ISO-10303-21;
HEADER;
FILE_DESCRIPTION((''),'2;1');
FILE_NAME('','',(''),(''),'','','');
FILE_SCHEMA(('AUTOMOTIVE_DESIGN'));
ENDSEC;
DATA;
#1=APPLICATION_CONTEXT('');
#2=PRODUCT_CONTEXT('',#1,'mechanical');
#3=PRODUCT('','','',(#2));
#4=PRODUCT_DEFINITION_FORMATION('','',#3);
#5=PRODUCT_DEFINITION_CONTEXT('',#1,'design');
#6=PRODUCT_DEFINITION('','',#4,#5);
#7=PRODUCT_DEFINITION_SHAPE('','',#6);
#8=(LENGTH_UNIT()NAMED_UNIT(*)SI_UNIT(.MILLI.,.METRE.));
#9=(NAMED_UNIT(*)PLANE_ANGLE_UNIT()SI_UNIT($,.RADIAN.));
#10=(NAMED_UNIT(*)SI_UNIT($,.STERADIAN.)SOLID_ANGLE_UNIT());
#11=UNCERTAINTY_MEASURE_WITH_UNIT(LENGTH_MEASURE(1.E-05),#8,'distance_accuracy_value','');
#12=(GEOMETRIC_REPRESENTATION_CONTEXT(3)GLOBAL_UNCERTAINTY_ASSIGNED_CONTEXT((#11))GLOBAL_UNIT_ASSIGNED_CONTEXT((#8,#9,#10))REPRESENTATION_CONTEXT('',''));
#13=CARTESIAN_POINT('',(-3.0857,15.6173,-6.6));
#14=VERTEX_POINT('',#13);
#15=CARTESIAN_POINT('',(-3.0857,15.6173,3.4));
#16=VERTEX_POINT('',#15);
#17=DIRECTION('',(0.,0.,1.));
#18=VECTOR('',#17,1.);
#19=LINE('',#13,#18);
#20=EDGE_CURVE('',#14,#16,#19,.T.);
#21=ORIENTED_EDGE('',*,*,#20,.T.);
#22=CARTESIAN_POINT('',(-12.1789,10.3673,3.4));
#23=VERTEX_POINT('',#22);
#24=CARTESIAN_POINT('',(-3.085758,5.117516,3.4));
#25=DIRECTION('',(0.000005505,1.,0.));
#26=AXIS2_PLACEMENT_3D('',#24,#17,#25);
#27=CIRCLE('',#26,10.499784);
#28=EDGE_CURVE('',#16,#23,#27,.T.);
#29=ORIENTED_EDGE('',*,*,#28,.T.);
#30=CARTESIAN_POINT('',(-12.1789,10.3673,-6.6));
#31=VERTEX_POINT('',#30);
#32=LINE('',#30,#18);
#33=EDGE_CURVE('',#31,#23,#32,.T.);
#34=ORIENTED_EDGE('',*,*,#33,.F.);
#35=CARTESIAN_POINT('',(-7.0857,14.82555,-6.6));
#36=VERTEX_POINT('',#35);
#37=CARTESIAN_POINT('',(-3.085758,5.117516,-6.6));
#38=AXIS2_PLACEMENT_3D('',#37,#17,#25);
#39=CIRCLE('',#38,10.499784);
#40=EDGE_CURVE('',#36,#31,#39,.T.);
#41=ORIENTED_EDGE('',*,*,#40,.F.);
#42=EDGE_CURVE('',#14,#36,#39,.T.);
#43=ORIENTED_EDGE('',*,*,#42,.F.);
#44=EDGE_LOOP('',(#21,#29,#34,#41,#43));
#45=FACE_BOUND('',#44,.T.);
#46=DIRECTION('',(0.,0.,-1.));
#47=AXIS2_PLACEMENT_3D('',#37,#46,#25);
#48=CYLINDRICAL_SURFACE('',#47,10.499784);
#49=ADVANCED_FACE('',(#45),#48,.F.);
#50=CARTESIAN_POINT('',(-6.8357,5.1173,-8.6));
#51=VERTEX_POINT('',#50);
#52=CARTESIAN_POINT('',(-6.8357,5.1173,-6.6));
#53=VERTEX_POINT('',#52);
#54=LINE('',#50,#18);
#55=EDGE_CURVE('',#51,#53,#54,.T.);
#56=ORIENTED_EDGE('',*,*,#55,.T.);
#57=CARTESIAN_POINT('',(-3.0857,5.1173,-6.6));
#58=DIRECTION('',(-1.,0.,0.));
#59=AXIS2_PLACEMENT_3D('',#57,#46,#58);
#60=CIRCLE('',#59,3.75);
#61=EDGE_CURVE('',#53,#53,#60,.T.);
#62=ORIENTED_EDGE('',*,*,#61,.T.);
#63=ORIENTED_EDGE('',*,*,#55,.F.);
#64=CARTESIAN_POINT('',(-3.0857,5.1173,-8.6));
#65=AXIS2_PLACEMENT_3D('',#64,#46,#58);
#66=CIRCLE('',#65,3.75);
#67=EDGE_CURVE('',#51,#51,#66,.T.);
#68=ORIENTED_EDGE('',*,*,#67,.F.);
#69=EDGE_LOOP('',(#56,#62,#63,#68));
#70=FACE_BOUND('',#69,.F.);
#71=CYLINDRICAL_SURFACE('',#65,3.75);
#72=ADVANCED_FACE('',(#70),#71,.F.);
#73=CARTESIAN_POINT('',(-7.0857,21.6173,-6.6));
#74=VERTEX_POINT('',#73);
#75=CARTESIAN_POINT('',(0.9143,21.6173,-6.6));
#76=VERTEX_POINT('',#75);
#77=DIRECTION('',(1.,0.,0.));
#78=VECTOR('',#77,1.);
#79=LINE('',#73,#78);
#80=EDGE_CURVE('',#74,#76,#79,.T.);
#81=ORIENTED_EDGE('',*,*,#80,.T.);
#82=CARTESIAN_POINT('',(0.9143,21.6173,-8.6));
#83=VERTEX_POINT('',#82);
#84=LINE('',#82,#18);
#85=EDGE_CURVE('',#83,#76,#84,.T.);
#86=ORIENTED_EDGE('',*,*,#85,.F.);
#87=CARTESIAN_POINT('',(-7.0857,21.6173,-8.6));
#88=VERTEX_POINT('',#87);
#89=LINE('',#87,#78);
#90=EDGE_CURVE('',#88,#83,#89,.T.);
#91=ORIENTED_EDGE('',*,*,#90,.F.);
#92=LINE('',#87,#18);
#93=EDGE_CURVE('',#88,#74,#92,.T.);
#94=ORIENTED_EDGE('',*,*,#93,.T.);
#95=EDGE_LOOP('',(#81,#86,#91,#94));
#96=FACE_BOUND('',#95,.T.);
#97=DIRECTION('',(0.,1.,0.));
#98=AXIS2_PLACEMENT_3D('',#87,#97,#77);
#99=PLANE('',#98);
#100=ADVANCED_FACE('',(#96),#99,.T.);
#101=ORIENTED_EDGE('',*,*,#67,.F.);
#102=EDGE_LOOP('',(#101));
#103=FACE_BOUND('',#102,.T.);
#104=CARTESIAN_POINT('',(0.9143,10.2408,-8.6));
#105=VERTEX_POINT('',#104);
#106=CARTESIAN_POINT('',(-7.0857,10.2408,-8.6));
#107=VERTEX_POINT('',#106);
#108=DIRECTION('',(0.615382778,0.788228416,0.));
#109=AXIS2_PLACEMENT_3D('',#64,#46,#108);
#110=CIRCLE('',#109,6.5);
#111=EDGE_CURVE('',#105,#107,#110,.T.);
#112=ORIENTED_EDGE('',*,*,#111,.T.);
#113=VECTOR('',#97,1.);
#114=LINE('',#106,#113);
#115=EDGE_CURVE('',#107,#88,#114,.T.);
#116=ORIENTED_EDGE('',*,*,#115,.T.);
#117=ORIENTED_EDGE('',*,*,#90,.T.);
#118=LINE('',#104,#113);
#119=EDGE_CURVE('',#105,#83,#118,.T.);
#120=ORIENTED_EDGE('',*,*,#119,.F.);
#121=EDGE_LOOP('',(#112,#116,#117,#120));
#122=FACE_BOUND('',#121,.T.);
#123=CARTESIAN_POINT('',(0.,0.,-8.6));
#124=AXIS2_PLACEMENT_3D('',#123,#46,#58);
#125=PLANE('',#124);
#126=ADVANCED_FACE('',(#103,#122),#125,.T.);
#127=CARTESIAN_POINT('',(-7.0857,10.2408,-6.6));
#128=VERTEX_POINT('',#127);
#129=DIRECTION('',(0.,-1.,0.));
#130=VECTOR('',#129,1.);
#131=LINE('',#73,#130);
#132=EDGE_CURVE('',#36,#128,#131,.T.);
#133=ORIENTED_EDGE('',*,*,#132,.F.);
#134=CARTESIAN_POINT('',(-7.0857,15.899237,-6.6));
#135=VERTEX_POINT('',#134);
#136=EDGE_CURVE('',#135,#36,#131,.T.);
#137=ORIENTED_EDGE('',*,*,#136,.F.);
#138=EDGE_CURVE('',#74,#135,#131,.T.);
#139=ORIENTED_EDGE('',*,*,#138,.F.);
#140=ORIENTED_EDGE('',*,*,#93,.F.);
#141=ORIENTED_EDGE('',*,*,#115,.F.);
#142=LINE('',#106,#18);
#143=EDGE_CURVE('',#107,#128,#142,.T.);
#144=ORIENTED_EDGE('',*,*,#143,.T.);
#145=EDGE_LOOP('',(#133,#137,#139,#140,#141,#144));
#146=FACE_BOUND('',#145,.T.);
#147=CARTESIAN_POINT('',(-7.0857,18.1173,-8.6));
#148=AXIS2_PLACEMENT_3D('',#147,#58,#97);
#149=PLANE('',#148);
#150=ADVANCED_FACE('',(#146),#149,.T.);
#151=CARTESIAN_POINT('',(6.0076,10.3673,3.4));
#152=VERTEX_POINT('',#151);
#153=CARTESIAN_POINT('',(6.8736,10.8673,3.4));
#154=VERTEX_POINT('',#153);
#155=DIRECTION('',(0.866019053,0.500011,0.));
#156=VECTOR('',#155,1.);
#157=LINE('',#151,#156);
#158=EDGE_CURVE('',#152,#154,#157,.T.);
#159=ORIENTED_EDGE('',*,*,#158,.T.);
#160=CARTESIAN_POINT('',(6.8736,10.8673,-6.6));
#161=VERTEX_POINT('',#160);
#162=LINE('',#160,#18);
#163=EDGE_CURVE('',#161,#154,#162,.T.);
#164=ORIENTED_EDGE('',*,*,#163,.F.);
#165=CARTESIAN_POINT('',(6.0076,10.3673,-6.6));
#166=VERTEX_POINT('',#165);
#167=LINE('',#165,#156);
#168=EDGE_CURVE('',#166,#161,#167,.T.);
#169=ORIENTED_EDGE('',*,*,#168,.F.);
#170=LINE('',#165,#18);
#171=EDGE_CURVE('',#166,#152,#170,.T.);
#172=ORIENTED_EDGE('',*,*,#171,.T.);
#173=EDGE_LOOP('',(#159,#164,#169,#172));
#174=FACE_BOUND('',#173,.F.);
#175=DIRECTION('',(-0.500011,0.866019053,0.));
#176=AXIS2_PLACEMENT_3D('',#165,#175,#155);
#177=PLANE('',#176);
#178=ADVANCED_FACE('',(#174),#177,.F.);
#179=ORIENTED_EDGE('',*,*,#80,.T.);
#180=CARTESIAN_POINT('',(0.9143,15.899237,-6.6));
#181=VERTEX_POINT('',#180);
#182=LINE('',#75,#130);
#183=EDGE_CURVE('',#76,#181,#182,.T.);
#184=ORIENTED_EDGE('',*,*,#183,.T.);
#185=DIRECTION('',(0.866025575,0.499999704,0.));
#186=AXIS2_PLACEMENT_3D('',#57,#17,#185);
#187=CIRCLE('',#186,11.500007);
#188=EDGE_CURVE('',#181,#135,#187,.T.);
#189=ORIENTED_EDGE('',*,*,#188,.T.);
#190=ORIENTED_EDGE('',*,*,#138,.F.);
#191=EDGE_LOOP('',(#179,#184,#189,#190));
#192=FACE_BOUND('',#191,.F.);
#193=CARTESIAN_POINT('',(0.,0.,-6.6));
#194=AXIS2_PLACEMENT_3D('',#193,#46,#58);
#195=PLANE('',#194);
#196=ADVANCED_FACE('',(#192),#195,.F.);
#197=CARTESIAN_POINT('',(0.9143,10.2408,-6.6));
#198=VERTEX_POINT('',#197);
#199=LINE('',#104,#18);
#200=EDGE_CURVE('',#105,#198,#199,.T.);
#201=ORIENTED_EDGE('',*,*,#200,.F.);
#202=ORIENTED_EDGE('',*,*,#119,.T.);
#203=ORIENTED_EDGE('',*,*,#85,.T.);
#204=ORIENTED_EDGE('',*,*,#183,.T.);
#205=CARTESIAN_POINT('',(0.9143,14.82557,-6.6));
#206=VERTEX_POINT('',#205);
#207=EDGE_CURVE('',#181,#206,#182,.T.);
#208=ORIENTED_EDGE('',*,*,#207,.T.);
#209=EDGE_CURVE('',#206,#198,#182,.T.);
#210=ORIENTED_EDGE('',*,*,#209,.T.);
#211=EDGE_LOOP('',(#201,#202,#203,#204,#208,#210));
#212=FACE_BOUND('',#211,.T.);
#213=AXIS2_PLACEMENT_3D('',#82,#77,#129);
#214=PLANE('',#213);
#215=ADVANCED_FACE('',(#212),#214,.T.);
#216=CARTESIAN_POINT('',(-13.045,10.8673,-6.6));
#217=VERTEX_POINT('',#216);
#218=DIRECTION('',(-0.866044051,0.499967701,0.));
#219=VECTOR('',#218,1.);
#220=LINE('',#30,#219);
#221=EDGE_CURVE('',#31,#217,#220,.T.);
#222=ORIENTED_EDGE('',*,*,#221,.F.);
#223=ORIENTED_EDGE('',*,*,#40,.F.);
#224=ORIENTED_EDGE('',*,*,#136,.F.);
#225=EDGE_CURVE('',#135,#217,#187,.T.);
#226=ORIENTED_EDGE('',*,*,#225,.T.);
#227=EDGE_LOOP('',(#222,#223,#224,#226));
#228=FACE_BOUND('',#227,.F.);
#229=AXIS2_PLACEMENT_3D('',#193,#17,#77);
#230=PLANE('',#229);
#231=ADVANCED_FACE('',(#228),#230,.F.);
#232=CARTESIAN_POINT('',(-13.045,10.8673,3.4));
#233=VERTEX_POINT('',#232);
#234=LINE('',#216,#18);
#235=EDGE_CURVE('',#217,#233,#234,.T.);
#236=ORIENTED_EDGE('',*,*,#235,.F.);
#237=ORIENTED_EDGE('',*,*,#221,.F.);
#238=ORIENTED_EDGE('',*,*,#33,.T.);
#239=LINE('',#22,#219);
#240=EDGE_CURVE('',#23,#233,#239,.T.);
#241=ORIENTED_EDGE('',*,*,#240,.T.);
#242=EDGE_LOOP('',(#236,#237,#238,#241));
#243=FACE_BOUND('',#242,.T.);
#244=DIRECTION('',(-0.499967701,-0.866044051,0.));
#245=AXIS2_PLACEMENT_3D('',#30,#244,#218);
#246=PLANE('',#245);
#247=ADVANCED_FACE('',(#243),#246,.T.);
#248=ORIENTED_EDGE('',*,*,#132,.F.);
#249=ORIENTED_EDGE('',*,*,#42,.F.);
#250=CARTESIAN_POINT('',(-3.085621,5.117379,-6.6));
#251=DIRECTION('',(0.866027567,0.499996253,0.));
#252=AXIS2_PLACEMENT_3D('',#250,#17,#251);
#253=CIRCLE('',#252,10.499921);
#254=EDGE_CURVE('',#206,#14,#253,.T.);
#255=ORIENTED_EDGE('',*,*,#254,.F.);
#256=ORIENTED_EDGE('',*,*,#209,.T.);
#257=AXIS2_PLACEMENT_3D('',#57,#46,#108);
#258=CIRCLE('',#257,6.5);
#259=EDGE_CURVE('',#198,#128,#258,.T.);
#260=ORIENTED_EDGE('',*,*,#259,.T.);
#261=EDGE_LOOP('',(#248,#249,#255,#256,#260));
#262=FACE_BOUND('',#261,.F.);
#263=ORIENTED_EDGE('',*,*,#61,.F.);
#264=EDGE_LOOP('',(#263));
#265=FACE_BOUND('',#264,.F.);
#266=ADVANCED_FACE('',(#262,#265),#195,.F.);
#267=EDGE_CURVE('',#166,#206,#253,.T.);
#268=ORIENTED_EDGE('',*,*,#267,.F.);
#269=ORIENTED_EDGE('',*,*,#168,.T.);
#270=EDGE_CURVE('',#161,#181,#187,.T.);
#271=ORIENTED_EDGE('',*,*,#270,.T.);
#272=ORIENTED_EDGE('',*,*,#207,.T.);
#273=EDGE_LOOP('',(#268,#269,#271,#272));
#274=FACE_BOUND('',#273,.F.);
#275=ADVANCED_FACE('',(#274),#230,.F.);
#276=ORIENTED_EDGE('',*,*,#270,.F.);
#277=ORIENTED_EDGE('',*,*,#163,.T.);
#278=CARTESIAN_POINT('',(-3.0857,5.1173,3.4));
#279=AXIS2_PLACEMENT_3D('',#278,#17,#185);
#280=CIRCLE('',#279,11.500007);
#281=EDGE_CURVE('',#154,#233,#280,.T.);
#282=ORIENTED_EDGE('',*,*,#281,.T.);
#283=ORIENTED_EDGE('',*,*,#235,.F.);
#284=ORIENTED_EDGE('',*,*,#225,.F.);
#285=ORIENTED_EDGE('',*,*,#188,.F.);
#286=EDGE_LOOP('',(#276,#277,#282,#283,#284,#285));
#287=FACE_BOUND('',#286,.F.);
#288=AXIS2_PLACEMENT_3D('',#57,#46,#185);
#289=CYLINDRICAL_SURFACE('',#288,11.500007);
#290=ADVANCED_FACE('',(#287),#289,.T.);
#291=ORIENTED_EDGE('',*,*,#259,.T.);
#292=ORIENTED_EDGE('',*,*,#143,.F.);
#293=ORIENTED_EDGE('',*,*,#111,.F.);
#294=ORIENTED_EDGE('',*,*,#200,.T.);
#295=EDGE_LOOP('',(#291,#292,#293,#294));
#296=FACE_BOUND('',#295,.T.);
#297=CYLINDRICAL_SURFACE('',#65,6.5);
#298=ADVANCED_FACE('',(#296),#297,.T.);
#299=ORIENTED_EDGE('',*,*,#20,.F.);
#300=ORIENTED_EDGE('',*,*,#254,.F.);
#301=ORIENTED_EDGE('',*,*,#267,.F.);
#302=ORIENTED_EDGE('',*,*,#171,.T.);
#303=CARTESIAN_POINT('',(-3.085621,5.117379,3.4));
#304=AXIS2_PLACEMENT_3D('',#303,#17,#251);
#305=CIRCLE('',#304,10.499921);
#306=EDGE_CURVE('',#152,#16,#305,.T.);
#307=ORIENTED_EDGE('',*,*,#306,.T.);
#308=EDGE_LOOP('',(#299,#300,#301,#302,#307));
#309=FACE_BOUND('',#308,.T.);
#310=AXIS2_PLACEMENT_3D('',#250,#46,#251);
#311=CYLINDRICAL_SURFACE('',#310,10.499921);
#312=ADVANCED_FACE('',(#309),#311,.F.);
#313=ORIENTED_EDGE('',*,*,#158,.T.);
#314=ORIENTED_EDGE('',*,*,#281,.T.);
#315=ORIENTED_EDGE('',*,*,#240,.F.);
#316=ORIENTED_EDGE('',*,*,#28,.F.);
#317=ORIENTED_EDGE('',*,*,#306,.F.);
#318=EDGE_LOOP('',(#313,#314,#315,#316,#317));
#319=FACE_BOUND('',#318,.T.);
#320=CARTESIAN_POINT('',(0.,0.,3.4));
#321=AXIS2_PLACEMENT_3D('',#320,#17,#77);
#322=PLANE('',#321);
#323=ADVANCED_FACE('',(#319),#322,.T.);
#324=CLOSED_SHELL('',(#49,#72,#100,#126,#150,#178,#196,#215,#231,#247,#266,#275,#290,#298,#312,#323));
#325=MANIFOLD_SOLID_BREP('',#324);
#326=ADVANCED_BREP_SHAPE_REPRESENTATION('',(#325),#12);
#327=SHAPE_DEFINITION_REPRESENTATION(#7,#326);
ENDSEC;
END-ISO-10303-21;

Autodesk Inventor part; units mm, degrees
ref_plane "YZ Plane" through (0, 0, 0) normal (1, 0, 0) x (0, 1, 0)
ref_plane "XZ Plane" through (0, 0, 0) normal (0, 1, 0) x (-1, 0, 0)
ref_plane "Work Plane1" through (0, 0, -6.6) normal (0, 0, -1) x (-1, 0, 0)
sketch "Sketch1" plane through (0, 0, -6.6) normal (0, 0, -1) x (-1, 0, 0)
  circle A0 centre (3.0857, 5.1173) radius 10 projected
  line L0 (-6.9143, 5.1173) -> (-6.9143, 18.1173)
  line L1 (-6.9143, 18.1173) -> (13.0857, 18.1173)
  line L2 (13.0857, 18.1173) -> (13.0857, 5.1173)
  circle A1 centre (0, 0) radius 5
  point P0 (0, 0)
  dimension "d24" = 13
  dimension "d25" = 20
ref_plane "Work Plane2" through (-10, -10, -4.4) normal (0, 0, 1) x (1, 0, 0)
extrude "Extrusion1" add sketch "Sketch1" along normal blind 2 contours A0 A1 | A0 L0 L1 L2 | A0 A1 picked at (6.1055, 10.6249) picked at (0.8611, -2.5748)
sketch "Sketch9" plane through (0, 0, -8.6) normal (0, 0, -1) x (-1, 0, 0)
  circle A0 centre (3.0857, 5.1173) radius 5 construction
  arc A1 (-6.9143, 5.1173) -> (13.0857, 5.1173) centre (3.0857, 5.1173) ccw projected
  circle A2 centre (3.0857, 5.1173) radius 3.75
  dimension "d43" = 7.5
extrude "Extrusion6" cut sketch "Sketch9" against normal up to surface (2 mm away)
sketch "Sketch10" plane through (0, 0, -8.6) normal (0, 0, -1) x (-1, 0, 0)
  arc A0 (-6.9143, 5.1173) -> (13.0857, 5.1173) centre (3.0857, 5.1173) ccw projected
  line L0 (3.0857, -4.8827) -> (3.0857, -2.8827)
  line L1 (3.0857, -2.8827) -> (4.5857, -2.8827)
  line L2 (4.5857, -2.8827) -> (3.0857, -2.8827)
  line L3 (-2.1325, -2.8827) -> (-2.1325, -5.7607)
  line L4 (4.5857, -2.8827) -> (4.5857, -3.3119)
  line L5 (-2.1325, -5.7607) -> (-2.1325, -7.2943)
  line L6 (4.5857, -3.3119) -> (4.5857, -2.7408)
  line L7 (-4, 15) -> (-4, 13) construction
  line L8 (4, 13) -> (4, 15) construction
  line L9 (13.0857, 18.1173) -> (-6.9143, 18.1173) projected
  line L10 (-6.9143, 18.1173) -> (13.0857, 18.1173)
  line L11 (-6.9143, 18.1173) -> (-6.9143, 5.1173)
  line L12 (13.0857, 18.1173) -> (13.0857, 5.1173)
  arc A1 (-6.9143, 5.1173) -> (13.0857, 5.1173) centre (3.0857, 5.1173) ccw
  circle A2 centre (3.0857, 5.1173) radius 6.5
  line L13 (3.0857, 5.1173) -> (3.0857, 11.6173) construction
  line L14 (3.0857, 11.6173) -> (7.0857, 11.6173)
  line L15 (7.0857, 11.6173) -> (3.0857, 11.6173)
  line L16 (3.0857, 11.6173) -> (-0.9143, 11.6173)
  line L17 (-0.9143, 10.2408) -> (-0.9143, 18.1173)
  line L18 (-0.9143, 18.1173) -> (7.0857, 18.1173)
  line L19 (7.0857, 18.1173) -> (7.0857, 10.2408)
  point P0 (5.6921, -0.9362)
  dimension "d31" = 2
  dimension "d37" = 1.5
  dimension "d44" = 4
  dimension "d45" = 4
extrude "Extrusion8" cut sketch "Sketch10" against normal up to next contours A0 L11 L9 L17 A2 L19 L12
sketch "Sketch11" plane through (0, 0, -8.6) normal (0, 0, -1) x (-1, 0, 0)
  line L0 (7.0857, 18.1173) -> (-0.9143, 18.1173) projected
  line L1 (7.0857, 18.1173) -> (7.0857, 21.6173)
  line L2 (7.0857, 21.6173) -> (-0.9143, 21.6173)
  line L3 (-0.9143, 21.6173) -> (-0.9143, 18.1173)
  point P0 (0, 0)
  dimension "d46" = 3.5
extrude "Extrusion9" add sketch "Sketch11" against normal up to surface (2 mm away)
sketch "Sketch13" plane through (0, 0, -6.6) normal (0, 0, 1) x (1, 0, 0)
  circle A0 centre (-3.0857, 5.1173) radius 3.75 projected
  arc A1 (6.0076, 10.3673) -> (-3.0857, 15.6173) centre (-3.0857, 5.1173) ccw
  line L0 (-3.0857, 5.1173) -> (6.0076, 10.3673) construction
  arc A2 (-3.0857, 15.6173) -> (-12.1789, 10.3673) centre (-3.0857, 5.1173) ccw
  line L1 (-3.0857, 5.1173) -> (-12.1789, 10.3673) construction
  arc A3 (6.0076, 10.3673) -> (-12.1789, 10.3673) centre (-3.0857, 5.1173) ccw
  arc A4 (6.8736, 10.8673) -> (-13.045, 10.8673) centre (-3.0857, 5.1173) ccw
  line L2 (-12.1789, 10.3673) -> (-13.045, 10.8673)
  line L3 (6.0076, 10.3673) -> (6.8736, 10.8673)
  arc A5 (-7.0857, 10.2408) -> (0.9143, 10.2408) centre (-3.0857, 5.1173) ccw projected
  line L4 (-3.0857, 5.1173) -> (-3.0857, 15.6173)
  point P0 (0, 0)
  point P1 (-3.0857, 16.6173)
  dimension "d60" = 120
  dimension "d61" = 11.5
  dimension "d65" = 10.5
  dimension "d66" = 1
extrude "Extrusion11" add sketch "Sketch13" along normal blind 10 contours A2 L2 A4 L3 A1
equation "\"d60\" = 2 * d56"
equation "\"d56\" = 60deg"
